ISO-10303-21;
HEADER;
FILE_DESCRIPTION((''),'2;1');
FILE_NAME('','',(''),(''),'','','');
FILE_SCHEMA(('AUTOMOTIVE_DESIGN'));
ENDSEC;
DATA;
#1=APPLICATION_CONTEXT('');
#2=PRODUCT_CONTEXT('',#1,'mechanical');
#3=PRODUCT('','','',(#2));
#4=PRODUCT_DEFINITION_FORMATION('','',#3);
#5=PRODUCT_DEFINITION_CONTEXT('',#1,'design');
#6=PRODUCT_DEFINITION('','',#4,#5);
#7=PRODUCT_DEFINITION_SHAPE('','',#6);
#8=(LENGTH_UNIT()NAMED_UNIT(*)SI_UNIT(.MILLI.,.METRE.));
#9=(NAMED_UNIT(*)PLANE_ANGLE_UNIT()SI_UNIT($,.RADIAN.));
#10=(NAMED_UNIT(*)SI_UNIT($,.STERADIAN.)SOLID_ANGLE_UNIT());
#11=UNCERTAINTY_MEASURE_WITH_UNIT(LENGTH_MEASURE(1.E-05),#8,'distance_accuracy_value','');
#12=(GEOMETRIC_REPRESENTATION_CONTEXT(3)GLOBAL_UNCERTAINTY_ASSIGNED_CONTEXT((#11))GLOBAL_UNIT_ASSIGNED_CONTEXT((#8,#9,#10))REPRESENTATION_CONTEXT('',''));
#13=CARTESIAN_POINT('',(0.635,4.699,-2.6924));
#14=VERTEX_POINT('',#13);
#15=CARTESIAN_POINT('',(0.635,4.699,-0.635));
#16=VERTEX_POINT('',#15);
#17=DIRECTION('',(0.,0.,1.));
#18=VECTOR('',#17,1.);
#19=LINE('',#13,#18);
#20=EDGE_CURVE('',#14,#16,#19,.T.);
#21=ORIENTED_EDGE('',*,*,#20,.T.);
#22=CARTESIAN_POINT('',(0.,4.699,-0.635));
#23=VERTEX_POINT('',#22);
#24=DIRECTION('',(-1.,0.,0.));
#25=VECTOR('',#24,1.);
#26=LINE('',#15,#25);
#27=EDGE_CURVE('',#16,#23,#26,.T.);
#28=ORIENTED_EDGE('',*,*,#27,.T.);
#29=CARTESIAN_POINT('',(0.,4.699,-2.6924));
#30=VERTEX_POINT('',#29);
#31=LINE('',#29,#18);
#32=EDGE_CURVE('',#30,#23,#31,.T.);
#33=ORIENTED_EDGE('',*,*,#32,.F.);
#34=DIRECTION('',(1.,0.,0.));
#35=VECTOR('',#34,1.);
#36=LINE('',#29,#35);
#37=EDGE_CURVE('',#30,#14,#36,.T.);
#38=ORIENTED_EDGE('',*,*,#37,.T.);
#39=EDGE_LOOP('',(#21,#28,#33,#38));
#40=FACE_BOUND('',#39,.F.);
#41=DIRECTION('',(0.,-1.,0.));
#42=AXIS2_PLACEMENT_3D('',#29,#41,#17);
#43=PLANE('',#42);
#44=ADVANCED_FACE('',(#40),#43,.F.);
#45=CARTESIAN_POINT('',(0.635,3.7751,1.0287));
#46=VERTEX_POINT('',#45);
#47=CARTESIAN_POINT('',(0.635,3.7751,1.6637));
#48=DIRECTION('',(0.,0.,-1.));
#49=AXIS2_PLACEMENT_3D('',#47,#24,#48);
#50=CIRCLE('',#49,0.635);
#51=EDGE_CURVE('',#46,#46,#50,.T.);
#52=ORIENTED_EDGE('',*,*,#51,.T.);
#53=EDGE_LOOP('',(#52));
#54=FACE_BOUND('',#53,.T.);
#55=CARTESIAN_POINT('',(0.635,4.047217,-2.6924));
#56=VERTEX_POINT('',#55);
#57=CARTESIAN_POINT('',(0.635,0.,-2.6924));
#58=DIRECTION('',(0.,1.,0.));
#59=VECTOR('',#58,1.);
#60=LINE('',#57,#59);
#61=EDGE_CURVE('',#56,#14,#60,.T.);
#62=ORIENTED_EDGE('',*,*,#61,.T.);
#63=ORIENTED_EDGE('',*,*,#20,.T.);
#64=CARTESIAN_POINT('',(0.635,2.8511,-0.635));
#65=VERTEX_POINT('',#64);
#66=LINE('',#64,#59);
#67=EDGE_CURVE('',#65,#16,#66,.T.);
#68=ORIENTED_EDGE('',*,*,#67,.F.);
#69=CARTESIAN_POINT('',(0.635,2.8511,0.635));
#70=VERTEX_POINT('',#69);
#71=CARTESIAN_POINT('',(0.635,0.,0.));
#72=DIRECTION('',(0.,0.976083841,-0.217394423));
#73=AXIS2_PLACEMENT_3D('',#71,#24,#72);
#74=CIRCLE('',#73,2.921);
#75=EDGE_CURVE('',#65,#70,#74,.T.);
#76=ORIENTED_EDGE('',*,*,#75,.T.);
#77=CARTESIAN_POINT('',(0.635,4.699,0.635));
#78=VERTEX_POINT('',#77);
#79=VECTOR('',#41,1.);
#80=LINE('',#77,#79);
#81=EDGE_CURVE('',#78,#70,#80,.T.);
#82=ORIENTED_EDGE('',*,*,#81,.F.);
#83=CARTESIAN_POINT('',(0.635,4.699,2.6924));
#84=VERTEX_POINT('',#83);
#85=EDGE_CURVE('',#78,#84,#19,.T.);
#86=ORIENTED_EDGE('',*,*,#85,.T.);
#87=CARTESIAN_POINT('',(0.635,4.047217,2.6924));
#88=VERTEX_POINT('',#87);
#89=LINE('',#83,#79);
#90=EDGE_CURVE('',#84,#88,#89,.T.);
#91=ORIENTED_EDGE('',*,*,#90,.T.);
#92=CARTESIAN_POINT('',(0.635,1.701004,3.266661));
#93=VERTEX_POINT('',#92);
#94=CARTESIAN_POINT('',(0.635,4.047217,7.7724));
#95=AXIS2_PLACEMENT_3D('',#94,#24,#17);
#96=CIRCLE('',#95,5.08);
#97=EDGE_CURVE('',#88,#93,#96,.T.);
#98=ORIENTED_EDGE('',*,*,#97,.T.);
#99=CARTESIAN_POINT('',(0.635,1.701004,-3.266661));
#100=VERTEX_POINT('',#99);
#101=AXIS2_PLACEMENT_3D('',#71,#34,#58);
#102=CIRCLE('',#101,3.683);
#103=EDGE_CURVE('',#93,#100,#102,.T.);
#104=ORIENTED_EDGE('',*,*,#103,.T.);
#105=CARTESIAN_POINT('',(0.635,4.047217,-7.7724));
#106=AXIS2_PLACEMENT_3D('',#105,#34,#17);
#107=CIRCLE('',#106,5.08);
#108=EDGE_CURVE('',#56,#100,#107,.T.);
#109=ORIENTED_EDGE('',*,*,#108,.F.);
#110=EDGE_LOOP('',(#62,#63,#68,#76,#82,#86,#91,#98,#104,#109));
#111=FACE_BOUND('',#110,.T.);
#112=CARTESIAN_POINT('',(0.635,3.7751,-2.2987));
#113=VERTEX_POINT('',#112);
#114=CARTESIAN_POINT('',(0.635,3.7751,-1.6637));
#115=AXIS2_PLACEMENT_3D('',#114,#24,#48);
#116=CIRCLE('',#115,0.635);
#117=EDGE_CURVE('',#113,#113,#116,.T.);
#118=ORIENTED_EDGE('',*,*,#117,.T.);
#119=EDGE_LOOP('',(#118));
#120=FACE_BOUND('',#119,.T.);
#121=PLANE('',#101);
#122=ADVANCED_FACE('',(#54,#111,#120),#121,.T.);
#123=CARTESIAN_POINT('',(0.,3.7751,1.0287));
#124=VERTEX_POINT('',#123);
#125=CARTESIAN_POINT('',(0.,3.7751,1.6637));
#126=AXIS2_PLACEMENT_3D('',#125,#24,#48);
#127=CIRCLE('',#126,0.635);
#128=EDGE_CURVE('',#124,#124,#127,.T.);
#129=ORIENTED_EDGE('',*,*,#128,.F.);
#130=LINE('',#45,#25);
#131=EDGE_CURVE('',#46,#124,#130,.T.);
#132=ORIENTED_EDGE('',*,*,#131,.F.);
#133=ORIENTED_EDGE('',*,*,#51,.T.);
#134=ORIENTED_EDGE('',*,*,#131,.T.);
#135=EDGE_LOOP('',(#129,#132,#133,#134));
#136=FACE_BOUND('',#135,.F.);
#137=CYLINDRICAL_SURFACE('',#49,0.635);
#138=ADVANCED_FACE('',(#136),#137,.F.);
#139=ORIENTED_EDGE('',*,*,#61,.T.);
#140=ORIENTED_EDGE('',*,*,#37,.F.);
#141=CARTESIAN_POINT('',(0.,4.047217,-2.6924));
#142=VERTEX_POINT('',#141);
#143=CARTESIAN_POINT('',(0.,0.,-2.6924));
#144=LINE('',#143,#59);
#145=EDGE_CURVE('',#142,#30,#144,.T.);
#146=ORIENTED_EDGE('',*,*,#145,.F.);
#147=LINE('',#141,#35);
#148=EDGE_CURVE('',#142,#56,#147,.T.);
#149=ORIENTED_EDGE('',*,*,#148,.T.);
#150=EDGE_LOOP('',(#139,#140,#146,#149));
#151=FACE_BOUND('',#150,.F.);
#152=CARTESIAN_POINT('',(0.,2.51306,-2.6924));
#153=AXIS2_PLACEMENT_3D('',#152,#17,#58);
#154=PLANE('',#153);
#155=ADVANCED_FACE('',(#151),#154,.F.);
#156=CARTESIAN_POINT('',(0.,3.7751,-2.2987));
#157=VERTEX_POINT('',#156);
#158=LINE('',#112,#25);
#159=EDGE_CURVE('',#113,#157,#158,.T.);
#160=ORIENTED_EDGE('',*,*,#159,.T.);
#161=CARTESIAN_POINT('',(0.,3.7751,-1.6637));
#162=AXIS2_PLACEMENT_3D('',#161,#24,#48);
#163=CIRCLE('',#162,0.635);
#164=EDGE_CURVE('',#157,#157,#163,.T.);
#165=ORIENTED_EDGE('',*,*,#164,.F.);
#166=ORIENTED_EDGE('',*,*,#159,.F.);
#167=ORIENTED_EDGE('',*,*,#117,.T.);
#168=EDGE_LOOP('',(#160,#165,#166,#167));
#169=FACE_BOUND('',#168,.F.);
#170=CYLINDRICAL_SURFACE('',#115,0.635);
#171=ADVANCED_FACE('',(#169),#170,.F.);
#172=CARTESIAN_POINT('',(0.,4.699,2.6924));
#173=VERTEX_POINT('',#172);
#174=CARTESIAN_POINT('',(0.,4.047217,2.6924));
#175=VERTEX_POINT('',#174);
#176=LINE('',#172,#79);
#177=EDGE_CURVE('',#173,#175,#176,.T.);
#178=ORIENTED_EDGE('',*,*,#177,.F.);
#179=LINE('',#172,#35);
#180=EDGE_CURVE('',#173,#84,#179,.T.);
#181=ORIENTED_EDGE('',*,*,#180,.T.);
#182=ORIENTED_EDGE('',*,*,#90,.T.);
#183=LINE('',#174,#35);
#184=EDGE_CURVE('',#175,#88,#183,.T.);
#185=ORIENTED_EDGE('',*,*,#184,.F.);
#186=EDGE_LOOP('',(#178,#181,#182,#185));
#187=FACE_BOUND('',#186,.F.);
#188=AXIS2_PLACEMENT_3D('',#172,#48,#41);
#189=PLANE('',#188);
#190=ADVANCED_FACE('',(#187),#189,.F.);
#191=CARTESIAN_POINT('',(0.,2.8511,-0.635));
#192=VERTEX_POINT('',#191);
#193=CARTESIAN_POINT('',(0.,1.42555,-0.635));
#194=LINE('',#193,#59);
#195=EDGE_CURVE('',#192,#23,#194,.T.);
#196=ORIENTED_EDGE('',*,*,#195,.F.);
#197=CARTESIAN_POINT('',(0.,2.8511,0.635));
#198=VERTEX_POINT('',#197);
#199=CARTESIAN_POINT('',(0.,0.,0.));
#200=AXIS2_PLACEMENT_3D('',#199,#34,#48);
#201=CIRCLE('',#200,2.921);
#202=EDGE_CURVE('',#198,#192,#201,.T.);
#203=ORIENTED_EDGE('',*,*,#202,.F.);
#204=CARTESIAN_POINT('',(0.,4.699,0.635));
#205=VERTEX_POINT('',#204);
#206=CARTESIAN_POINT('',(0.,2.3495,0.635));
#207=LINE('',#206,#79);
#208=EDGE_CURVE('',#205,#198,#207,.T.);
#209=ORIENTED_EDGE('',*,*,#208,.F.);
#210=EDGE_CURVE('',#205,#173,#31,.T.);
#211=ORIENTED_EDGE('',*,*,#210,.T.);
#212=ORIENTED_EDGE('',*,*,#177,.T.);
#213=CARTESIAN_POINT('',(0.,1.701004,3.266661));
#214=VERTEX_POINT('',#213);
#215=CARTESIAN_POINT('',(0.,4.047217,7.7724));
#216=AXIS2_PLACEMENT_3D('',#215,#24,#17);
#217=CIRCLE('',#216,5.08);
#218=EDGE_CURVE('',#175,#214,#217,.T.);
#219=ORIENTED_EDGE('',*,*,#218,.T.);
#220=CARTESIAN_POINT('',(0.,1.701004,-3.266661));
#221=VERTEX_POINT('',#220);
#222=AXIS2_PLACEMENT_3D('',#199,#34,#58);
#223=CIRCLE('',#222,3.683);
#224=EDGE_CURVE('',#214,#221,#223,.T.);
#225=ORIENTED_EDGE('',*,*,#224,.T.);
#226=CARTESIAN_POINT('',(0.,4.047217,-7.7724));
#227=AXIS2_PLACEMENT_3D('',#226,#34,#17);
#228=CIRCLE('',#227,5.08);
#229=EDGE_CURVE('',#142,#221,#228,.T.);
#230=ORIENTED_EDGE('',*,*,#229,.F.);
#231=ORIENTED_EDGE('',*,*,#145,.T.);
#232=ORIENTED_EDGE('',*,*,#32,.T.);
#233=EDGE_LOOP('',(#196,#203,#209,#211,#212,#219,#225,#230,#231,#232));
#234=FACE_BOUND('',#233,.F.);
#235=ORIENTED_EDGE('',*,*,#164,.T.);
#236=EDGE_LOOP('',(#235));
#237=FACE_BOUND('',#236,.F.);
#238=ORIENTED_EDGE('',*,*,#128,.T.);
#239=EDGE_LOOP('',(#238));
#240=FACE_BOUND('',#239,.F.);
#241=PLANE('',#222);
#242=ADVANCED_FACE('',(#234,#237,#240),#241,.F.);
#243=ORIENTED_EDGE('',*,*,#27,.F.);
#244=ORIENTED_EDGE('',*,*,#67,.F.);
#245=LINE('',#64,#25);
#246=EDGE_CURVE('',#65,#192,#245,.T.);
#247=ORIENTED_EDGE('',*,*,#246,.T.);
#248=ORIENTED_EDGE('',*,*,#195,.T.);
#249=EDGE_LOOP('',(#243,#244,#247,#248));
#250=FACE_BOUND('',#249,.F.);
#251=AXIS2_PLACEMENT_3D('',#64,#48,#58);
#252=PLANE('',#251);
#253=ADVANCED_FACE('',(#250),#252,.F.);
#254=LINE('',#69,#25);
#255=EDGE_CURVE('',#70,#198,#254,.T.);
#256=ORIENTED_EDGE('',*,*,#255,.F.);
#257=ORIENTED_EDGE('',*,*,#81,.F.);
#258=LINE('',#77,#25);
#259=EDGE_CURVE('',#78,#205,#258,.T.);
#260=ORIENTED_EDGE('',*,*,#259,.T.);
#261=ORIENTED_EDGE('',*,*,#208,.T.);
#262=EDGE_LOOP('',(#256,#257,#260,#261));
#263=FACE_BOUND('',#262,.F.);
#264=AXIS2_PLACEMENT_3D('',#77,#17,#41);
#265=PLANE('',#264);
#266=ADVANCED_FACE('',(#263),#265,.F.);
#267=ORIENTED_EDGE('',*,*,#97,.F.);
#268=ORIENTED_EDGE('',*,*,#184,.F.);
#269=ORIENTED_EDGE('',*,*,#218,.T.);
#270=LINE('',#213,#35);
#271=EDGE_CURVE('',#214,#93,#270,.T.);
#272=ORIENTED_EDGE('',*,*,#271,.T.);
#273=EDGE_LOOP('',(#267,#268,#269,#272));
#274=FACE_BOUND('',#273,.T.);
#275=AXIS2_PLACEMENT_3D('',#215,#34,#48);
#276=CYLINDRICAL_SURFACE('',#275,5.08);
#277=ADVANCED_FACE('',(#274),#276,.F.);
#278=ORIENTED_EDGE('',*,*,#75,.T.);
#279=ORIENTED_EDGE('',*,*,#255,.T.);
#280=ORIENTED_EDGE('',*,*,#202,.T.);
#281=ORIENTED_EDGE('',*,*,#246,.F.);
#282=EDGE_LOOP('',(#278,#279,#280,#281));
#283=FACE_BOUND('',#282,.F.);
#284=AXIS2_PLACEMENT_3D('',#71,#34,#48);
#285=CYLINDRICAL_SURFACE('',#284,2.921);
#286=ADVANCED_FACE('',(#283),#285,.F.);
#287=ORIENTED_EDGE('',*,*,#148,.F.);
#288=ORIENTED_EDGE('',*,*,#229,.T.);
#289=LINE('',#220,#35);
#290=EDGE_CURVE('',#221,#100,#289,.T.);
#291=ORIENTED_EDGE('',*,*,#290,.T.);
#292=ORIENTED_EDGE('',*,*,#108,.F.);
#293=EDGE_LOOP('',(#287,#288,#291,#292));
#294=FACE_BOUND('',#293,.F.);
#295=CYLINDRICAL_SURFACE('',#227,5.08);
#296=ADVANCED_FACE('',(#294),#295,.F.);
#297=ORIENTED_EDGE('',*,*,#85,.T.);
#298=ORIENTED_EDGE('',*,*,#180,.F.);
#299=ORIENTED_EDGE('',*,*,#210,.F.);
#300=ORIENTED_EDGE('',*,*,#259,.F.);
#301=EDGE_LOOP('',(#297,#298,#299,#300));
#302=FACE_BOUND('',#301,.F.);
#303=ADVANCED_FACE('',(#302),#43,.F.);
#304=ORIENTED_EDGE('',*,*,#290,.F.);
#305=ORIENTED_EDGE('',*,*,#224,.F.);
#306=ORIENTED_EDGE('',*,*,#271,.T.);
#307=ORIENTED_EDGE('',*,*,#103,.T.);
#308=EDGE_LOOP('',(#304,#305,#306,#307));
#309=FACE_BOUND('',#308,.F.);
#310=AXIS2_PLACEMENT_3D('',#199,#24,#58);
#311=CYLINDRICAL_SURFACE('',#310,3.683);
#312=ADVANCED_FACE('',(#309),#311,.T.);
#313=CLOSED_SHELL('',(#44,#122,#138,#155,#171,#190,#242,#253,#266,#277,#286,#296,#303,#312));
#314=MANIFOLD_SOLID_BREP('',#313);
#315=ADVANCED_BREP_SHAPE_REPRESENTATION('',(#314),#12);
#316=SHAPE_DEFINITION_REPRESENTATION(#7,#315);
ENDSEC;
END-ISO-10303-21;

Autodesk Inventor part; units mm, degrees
ref_plane "YZ Plane" through (0, 0, 0) normal (1, 0, 0) x (0, 1, 0)
ref_plane "XZ Plane" through (0, 0, 0) normal (0, 1, 0) x (-1, 0, 0)
ref_plane "XY Plane" through (0, 0, 0) normal (0, 0, 1) x (1, 0, 0)
sketch "Sketch1" plane through (0, 0, 0) normal (1, 0, 0) x (0, 1, 0)
  circle A0 centre (0, 0) radius 3.683
  line L0 (4.699, 2.6924) -> (0, 2.6924)
  line L1 (0, 2.6924) -> (0, -2.6924)
  line L2 (0, -2.6924) -> (4.699, -2.6924)
  line L3 (4.699, -2.6924) -> (4.699, 2.6924)
  dimension "d0" = 7.366
  dimension "d1" = 5.3848
  dimension "d2" = 4.699
extrude "Extrusion1" add sketch "Sketch1" along normal blind 0.635
fillet "Fillet1" radius 5.08 2 edges at (0.3175, 2.5131, -2.6924) (0.3175, 2.5131, 2.6924)
sketch "Sketch2" plane through (0.635, 0, 0) normal (1, 0, 0) x (0, 0, -1)
  arc A0 (-3.2667, 1.701) -> (3.2667, 1.701) centre (0, 0) ccw projected
  line L0 (2.6924, 4.699) -> (-2.6924, 4.699) projected
  circle A1 centre (0, 0) radius 2.921
  line L1 (-0.635, 2.8511) -> (0.635, 2.8511)
  line L2 (0.635, 2.8511) -> (0.635, 4.699)
  line L3 (0.635, 4.699) -> (-0.635, 4.699)
  line L4 (-0.635, 4.699) -> (-0.635, 2.8511)
  dimension "d6" = 5.842
  dimension "d7" = 1.27
extrude "Extrusion2" cut sketch "Sketch2" against normal through all
sketch "Sketch3" plane through (0.635, 0, 0) normal (1, 0, 0) x (0, 0, -1)
  line L0 (-0.635, 2.8511) -> (-2.6924, 4.699) construction
  line L1 (0.635, 2.8511) -> (2.6924, 4.699) construction
  point P0 (-1.6637, 3.7751)
  point P1 (1.6637, 3.7751)
hole "Hole1" at (0.635, 3.7751, 1.6637) at (0.635, 3.7751, -1.6637) direction (-1, 0, 0) diameter 1.27 end through all
properties part number "Horseshoe Clip"
